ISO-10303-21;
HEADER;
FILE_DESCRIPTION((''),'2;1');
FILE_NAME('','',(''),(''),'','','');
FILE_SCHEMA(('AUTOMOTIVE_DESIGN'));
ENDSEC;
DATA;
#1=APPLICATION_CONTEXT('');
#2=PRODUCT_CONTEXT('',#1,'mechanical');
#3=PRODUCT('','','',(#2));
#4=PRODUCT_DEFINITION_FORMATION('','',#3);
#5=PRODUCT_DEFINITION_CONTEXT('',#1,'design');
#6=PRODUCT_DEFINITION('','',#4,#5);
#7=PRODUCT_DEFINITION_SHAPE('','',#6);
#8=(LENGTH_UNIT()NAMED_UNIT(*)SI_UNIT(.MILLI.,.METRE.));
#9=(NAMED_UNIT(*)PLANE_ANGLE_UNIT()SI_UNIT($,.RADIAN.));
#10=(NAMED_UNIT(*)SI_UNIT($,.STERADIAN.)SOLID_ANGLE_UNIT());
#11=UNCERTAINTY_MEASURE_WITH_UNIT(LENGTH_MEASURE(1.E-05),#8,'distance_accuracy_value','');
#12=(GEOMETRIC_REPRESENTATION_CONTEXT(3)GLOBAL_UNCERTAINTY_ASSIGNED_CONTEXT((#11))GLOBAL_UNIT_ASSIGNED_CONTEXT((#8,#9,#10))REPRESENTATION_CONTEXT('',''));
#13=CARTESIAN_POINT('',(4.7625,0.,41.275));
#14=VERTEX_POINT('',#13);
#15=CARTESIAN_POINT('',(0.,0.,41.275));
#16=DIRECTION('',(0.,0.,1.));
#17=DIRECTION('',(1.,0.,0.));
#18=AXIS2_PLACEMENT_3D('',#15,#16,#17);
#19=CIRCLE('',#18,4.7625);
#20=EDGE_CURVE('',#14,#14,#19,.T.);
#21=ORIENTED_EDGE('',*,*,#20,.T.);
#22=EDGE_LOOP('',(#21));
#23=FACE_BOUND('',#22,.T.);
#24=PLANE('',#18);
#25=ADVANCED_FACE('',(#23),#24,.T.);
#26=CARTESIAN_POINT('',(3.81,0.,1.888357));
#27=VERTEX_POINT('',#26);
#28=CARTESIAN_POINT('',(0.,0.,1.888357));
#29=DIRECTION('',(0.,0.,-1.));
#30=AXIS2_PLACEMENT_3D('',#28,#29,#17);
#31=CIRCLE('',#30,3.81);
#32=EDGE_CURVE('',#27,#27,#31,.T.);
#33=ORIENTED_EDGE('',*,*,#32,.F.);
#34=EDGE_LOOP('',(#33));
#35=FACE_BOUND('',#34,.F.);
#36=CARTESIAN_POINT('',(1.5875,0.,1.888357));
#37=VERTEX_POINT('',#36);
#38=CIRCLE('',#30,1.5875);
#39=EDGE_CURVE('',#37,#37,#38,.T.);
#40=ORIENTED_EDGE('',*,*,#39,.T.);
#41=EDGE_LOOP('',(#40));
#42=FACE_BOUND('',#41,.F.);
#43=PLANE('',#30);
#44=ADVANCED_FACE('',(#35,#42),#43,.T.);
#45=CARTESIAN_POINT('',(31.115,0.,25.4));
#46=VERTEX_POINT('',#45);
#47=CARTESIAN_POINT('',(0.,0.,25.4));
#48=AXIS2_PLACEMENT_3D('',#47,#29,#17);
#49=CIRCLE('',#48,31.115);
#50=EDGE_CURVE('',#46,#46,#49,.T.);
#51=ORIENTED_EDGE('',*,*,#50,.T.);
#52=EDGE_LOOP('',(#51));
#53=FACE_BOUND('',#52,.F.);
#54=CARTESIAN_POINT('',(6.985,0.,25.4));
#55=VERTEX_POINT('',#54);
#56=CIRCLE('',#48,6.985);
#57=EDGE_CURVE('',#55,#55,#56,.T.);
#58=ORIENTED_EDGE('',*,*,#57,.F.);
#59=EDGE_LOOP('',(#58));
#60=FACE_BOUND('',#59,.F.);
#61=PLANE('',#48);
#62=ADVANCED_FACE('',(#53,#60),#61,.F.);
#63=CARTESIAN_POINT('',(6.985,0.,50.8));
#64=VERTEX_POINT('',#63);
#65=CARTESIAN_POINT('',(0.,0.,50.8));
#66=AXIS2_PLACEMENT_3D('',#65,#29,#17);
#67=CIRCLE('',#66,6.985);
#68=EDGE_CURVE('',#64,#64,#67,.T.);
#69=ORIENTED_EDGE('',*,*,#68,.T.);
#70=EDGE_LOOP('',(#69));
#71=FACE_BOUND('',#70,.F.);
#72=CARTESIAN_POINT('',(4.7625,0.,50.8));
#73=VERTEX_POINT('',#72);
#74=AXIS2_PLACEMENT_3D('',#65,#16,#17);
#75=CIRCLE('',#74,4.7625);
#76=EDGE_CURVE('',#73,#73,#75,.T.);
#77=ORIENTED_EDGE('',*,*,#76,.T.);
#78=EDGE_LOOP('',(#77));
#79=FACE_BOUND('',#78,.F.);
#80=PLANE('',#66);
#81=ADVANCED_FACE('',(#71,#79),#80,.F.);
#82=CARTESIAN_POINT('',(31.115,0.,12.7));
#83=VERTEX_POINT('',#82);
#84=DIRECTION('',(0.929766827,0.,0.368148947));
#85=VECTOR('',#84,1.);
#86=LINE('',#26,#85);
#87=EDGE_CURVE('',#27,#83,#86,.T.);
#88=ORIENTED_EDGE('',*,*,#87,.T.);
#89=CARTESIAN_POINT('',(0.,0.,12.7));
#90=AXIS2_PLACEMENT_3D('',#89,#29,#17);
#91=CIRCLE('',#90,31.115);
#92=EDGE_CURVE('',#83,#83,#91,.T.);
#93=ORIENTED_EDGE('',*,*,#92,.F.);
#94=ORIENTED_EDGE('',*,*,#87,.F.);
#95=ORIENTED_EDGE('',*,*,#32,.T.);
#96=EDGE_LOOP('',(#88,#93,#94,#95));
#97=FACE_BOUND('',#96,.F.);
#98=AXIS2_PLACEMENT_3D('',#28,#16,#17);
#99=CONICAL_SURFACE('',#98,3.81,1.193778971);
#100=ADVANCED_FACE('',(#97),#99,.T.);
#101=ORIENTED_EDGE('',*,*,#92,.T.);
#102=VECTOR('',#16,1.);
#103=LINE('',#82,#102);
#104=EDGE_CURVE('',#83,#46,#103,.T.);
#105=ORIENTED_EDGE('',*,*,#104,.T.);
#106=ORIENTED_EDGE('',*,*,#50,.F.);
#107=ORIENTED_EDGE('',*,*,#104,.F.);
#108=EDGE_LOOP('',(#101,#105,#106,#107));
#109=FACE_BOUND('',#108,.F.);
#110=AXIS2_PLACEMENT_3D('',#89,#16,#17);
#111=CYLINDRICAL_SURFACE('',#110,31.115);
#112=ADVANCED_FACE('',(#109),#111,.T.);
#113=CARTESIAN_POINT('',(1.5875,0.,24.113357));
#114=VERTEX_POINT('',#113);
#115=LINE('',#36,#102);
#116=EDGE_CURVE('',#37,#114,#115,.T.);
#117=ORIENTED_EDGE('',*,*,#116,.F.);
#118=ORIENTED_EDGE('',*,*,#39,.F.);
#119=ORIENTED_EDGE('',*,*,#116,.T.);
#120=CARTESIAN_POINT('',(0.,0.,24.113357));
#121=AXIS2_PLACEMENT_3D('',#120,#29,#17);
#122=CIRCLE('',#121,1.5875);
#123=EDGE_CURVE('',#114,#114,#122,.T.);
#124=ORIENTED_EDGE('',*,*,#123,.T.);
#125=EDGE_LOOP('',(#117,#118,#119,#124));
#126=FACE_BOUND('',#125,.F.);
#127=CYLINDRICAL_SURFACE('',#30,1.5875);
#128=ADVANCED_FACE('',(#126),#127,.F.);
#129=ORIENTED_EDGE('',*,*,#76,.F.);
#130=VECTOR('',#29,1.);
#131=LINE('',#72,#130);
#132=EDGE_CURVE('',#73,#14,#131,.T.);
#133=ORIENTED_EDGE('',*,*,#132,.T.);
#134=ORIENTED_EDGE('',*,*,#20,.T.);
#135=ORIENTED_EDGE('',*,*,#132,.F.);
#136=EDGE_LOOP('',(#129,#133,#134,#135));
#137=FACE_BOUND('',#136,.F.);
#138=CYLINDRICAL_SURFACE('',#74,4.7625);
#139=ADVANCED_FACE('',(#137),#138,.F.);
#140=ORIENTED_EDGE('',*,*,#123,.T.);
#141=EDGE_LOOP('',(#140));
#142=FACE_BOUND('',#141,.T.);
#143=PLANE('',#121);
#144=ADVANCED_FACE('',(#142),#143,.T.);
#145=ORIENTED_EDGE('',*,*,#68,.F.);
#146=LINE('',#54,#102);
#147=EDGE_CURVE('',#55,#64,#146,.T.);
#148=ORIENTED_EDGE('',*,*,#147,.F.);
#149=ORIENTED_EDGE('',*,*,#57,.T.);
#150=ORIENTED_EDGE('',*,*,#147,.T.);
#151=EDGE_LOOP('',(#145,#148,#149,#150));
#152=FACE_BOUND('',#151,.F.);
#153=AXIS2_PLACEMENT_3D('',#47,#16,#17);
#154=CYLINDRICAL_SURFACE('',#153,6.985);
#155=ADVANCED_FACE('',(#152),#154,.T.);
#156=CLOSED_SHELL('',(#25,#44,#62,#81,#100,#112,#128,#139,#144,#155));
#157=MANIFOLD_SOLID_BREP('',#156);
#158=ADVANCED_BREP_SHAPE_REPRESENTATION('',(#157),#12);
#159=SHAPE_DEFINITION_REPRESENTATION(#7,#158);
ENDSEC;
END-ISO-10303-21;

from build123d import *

# Parameters (mm, degrees)
F2_R     = 4.7625
F3_DEPTH = 9.525
F4_R     = 1.5875
F5_DEPTH = 22.225


with BuildPart() as f1:
    # F0 (on Front) → F1 (revolve)
    with BuildSketch(Plane.XZ):
        Polygon((3.81, 1.888357), (31.115, 12.7), (31.115, 25.4), (6.985, 25.4), (6.985, 50.8), (0, 50.8), (0, 1.888357), align=None)
    revolve(axis=Axis((0, 0, 26.344178), (0, 0, -1)))

    # F2 (on face) → F3 (cut)
    with BuildSketch(Plane.XY.offset(50.8)):
        Circle(F2_R)
    extrude(amount=-F3_DEPTH, mode=Mode.SUBTRACT)

    # F4 (on face) → F5 (cut)
    with BuildSketch(Plane(origin=(0, 0, 1.888357), x_dir=(1, 0, 0), z_dir=(0, 0, -1))):
        Circle(F4_R)
    extrude(amount=-F5_DEPTH, mode=Mode.SUBTRACT)


solid = f1.part
